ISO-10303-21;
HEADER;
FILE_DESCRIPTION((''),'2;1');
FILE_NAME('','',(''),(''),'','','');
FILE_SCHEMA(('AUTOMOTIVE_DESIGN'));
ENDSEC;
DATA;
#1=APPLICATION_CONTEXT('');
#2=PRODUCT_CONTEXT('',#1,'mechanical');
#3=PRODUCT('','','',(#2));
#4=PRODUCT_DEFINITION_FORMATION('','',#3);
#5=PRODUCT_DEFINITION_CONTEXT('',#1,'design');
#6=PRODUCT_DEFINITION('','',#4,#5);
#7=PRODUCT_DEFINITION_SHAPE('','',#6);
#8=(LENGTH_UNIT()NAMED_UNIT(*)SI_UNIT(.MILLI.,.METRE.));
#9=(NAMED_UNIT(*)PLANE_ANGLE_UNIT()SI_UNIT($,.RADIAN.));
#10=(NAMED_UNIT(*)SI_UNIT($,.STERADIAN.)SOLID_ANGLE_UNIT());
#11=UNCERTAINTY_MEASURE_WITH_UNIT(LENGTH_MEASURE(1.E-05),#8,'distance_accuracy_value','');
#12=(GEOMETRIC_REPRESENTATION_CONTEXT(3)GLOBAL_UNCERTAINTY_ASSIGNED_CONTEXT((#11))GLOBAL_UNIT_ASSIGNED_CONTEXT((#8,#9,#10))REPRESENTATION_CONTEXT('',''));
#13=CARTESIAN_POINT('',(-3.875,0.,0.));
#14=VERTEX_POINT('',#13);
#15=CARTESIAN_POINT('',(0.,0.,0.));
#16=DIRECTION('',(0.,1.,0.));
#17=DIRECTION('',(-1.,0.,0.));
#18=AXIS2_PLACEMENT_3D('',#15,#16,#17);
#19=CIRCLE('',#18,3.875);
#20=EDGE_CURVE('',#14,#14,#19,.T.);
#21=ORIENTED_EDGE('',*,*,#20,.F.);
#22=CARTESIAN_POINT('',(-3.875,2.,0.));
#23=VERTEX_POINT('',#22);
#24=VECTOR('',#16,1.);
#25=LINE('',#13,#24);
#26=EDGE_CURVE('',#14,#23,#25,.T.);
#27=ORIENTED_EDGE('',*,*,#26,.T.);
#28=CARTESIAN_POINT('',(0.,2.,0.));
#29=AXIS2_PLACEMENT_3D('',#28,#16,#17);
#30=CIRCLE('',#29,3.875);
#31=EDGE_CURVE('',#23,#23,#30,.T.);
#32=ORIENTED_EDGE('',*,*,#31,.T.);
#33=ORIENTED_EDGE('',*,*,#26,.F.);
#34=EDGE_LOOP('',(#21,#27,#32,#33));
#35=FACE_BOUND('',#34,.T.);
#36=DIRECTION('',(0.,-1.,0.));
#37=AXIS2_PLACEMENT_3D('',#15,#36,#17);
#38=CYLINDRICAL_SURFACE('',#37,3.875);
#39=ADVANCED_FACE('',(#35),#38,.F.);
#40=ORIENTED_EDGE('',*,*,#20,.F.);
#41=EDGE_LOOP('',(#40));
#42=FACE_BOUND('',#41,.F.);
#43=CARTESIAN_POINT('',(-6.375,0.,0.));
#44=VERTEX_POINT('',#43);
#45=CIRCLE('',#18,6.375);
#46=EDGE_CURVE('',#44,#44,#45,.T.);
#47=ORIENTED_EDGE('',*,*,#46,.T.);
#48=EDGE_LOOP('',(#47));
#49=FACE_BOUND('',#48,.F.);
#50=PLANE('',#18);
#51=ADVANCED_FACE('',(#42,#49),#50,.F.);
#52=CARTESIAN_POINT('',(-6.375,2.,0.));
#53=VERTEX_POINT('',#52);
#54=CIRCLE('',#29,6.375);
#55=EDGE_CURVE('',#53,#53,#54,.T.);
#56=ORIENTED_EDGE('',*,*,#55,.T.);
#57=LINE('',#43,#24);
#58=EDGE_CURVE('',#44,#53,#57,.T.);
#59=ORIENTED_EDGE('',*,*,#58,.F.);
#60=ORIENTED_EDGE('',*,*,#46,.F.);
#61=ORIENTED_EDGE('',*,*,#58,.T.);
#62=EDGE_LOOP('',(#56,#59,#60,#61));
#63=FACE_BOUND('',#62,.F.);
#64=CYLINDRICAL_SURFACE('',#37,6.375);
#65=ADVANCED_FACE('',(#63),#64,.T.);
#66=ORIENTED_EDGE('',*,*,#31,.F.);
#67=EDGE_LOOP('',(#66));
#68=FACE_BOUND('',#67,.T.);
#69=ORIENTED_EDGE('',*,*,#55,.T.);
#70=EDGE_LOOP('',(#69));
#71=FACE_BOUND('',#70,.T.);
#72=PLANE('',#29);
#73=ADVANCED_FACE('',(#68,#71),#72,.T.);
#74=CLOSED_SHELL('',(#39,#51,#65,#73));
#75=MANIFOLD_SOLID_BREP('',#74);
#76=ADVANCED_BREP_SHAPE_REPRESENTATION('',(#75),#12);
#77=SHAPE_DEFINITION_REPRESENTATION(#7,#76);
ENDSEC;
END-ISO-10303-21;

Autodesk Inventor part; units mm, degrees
ref_plane "YZ Plane" through (0, 0, 0) normal (1, 0, 0) x (0, 1, 0)
ref_plane "XZ Plane" through (0, 0, 0) normal (0, 1, 0) x (-1, 0, 0)
ref_plane "XY Plane" through (0, 0, 0) normal (0, 0, 1) x (1, 0, 0)
sketch "Sketch1" plane through (0, 0, 0) normal (0, 1, 0) x (-1, 0, 0)
  circle A0 centre (0, 0) radius 3.875
  circle A1 centre (0, 0) radius 6.375
  dimension "d0" = 7.75
  dimension "d1" = 2.5
extrude "Extrusion1" add sketch "Sketch1" along normal blind 2
properties part number "Hour hand stopper"
